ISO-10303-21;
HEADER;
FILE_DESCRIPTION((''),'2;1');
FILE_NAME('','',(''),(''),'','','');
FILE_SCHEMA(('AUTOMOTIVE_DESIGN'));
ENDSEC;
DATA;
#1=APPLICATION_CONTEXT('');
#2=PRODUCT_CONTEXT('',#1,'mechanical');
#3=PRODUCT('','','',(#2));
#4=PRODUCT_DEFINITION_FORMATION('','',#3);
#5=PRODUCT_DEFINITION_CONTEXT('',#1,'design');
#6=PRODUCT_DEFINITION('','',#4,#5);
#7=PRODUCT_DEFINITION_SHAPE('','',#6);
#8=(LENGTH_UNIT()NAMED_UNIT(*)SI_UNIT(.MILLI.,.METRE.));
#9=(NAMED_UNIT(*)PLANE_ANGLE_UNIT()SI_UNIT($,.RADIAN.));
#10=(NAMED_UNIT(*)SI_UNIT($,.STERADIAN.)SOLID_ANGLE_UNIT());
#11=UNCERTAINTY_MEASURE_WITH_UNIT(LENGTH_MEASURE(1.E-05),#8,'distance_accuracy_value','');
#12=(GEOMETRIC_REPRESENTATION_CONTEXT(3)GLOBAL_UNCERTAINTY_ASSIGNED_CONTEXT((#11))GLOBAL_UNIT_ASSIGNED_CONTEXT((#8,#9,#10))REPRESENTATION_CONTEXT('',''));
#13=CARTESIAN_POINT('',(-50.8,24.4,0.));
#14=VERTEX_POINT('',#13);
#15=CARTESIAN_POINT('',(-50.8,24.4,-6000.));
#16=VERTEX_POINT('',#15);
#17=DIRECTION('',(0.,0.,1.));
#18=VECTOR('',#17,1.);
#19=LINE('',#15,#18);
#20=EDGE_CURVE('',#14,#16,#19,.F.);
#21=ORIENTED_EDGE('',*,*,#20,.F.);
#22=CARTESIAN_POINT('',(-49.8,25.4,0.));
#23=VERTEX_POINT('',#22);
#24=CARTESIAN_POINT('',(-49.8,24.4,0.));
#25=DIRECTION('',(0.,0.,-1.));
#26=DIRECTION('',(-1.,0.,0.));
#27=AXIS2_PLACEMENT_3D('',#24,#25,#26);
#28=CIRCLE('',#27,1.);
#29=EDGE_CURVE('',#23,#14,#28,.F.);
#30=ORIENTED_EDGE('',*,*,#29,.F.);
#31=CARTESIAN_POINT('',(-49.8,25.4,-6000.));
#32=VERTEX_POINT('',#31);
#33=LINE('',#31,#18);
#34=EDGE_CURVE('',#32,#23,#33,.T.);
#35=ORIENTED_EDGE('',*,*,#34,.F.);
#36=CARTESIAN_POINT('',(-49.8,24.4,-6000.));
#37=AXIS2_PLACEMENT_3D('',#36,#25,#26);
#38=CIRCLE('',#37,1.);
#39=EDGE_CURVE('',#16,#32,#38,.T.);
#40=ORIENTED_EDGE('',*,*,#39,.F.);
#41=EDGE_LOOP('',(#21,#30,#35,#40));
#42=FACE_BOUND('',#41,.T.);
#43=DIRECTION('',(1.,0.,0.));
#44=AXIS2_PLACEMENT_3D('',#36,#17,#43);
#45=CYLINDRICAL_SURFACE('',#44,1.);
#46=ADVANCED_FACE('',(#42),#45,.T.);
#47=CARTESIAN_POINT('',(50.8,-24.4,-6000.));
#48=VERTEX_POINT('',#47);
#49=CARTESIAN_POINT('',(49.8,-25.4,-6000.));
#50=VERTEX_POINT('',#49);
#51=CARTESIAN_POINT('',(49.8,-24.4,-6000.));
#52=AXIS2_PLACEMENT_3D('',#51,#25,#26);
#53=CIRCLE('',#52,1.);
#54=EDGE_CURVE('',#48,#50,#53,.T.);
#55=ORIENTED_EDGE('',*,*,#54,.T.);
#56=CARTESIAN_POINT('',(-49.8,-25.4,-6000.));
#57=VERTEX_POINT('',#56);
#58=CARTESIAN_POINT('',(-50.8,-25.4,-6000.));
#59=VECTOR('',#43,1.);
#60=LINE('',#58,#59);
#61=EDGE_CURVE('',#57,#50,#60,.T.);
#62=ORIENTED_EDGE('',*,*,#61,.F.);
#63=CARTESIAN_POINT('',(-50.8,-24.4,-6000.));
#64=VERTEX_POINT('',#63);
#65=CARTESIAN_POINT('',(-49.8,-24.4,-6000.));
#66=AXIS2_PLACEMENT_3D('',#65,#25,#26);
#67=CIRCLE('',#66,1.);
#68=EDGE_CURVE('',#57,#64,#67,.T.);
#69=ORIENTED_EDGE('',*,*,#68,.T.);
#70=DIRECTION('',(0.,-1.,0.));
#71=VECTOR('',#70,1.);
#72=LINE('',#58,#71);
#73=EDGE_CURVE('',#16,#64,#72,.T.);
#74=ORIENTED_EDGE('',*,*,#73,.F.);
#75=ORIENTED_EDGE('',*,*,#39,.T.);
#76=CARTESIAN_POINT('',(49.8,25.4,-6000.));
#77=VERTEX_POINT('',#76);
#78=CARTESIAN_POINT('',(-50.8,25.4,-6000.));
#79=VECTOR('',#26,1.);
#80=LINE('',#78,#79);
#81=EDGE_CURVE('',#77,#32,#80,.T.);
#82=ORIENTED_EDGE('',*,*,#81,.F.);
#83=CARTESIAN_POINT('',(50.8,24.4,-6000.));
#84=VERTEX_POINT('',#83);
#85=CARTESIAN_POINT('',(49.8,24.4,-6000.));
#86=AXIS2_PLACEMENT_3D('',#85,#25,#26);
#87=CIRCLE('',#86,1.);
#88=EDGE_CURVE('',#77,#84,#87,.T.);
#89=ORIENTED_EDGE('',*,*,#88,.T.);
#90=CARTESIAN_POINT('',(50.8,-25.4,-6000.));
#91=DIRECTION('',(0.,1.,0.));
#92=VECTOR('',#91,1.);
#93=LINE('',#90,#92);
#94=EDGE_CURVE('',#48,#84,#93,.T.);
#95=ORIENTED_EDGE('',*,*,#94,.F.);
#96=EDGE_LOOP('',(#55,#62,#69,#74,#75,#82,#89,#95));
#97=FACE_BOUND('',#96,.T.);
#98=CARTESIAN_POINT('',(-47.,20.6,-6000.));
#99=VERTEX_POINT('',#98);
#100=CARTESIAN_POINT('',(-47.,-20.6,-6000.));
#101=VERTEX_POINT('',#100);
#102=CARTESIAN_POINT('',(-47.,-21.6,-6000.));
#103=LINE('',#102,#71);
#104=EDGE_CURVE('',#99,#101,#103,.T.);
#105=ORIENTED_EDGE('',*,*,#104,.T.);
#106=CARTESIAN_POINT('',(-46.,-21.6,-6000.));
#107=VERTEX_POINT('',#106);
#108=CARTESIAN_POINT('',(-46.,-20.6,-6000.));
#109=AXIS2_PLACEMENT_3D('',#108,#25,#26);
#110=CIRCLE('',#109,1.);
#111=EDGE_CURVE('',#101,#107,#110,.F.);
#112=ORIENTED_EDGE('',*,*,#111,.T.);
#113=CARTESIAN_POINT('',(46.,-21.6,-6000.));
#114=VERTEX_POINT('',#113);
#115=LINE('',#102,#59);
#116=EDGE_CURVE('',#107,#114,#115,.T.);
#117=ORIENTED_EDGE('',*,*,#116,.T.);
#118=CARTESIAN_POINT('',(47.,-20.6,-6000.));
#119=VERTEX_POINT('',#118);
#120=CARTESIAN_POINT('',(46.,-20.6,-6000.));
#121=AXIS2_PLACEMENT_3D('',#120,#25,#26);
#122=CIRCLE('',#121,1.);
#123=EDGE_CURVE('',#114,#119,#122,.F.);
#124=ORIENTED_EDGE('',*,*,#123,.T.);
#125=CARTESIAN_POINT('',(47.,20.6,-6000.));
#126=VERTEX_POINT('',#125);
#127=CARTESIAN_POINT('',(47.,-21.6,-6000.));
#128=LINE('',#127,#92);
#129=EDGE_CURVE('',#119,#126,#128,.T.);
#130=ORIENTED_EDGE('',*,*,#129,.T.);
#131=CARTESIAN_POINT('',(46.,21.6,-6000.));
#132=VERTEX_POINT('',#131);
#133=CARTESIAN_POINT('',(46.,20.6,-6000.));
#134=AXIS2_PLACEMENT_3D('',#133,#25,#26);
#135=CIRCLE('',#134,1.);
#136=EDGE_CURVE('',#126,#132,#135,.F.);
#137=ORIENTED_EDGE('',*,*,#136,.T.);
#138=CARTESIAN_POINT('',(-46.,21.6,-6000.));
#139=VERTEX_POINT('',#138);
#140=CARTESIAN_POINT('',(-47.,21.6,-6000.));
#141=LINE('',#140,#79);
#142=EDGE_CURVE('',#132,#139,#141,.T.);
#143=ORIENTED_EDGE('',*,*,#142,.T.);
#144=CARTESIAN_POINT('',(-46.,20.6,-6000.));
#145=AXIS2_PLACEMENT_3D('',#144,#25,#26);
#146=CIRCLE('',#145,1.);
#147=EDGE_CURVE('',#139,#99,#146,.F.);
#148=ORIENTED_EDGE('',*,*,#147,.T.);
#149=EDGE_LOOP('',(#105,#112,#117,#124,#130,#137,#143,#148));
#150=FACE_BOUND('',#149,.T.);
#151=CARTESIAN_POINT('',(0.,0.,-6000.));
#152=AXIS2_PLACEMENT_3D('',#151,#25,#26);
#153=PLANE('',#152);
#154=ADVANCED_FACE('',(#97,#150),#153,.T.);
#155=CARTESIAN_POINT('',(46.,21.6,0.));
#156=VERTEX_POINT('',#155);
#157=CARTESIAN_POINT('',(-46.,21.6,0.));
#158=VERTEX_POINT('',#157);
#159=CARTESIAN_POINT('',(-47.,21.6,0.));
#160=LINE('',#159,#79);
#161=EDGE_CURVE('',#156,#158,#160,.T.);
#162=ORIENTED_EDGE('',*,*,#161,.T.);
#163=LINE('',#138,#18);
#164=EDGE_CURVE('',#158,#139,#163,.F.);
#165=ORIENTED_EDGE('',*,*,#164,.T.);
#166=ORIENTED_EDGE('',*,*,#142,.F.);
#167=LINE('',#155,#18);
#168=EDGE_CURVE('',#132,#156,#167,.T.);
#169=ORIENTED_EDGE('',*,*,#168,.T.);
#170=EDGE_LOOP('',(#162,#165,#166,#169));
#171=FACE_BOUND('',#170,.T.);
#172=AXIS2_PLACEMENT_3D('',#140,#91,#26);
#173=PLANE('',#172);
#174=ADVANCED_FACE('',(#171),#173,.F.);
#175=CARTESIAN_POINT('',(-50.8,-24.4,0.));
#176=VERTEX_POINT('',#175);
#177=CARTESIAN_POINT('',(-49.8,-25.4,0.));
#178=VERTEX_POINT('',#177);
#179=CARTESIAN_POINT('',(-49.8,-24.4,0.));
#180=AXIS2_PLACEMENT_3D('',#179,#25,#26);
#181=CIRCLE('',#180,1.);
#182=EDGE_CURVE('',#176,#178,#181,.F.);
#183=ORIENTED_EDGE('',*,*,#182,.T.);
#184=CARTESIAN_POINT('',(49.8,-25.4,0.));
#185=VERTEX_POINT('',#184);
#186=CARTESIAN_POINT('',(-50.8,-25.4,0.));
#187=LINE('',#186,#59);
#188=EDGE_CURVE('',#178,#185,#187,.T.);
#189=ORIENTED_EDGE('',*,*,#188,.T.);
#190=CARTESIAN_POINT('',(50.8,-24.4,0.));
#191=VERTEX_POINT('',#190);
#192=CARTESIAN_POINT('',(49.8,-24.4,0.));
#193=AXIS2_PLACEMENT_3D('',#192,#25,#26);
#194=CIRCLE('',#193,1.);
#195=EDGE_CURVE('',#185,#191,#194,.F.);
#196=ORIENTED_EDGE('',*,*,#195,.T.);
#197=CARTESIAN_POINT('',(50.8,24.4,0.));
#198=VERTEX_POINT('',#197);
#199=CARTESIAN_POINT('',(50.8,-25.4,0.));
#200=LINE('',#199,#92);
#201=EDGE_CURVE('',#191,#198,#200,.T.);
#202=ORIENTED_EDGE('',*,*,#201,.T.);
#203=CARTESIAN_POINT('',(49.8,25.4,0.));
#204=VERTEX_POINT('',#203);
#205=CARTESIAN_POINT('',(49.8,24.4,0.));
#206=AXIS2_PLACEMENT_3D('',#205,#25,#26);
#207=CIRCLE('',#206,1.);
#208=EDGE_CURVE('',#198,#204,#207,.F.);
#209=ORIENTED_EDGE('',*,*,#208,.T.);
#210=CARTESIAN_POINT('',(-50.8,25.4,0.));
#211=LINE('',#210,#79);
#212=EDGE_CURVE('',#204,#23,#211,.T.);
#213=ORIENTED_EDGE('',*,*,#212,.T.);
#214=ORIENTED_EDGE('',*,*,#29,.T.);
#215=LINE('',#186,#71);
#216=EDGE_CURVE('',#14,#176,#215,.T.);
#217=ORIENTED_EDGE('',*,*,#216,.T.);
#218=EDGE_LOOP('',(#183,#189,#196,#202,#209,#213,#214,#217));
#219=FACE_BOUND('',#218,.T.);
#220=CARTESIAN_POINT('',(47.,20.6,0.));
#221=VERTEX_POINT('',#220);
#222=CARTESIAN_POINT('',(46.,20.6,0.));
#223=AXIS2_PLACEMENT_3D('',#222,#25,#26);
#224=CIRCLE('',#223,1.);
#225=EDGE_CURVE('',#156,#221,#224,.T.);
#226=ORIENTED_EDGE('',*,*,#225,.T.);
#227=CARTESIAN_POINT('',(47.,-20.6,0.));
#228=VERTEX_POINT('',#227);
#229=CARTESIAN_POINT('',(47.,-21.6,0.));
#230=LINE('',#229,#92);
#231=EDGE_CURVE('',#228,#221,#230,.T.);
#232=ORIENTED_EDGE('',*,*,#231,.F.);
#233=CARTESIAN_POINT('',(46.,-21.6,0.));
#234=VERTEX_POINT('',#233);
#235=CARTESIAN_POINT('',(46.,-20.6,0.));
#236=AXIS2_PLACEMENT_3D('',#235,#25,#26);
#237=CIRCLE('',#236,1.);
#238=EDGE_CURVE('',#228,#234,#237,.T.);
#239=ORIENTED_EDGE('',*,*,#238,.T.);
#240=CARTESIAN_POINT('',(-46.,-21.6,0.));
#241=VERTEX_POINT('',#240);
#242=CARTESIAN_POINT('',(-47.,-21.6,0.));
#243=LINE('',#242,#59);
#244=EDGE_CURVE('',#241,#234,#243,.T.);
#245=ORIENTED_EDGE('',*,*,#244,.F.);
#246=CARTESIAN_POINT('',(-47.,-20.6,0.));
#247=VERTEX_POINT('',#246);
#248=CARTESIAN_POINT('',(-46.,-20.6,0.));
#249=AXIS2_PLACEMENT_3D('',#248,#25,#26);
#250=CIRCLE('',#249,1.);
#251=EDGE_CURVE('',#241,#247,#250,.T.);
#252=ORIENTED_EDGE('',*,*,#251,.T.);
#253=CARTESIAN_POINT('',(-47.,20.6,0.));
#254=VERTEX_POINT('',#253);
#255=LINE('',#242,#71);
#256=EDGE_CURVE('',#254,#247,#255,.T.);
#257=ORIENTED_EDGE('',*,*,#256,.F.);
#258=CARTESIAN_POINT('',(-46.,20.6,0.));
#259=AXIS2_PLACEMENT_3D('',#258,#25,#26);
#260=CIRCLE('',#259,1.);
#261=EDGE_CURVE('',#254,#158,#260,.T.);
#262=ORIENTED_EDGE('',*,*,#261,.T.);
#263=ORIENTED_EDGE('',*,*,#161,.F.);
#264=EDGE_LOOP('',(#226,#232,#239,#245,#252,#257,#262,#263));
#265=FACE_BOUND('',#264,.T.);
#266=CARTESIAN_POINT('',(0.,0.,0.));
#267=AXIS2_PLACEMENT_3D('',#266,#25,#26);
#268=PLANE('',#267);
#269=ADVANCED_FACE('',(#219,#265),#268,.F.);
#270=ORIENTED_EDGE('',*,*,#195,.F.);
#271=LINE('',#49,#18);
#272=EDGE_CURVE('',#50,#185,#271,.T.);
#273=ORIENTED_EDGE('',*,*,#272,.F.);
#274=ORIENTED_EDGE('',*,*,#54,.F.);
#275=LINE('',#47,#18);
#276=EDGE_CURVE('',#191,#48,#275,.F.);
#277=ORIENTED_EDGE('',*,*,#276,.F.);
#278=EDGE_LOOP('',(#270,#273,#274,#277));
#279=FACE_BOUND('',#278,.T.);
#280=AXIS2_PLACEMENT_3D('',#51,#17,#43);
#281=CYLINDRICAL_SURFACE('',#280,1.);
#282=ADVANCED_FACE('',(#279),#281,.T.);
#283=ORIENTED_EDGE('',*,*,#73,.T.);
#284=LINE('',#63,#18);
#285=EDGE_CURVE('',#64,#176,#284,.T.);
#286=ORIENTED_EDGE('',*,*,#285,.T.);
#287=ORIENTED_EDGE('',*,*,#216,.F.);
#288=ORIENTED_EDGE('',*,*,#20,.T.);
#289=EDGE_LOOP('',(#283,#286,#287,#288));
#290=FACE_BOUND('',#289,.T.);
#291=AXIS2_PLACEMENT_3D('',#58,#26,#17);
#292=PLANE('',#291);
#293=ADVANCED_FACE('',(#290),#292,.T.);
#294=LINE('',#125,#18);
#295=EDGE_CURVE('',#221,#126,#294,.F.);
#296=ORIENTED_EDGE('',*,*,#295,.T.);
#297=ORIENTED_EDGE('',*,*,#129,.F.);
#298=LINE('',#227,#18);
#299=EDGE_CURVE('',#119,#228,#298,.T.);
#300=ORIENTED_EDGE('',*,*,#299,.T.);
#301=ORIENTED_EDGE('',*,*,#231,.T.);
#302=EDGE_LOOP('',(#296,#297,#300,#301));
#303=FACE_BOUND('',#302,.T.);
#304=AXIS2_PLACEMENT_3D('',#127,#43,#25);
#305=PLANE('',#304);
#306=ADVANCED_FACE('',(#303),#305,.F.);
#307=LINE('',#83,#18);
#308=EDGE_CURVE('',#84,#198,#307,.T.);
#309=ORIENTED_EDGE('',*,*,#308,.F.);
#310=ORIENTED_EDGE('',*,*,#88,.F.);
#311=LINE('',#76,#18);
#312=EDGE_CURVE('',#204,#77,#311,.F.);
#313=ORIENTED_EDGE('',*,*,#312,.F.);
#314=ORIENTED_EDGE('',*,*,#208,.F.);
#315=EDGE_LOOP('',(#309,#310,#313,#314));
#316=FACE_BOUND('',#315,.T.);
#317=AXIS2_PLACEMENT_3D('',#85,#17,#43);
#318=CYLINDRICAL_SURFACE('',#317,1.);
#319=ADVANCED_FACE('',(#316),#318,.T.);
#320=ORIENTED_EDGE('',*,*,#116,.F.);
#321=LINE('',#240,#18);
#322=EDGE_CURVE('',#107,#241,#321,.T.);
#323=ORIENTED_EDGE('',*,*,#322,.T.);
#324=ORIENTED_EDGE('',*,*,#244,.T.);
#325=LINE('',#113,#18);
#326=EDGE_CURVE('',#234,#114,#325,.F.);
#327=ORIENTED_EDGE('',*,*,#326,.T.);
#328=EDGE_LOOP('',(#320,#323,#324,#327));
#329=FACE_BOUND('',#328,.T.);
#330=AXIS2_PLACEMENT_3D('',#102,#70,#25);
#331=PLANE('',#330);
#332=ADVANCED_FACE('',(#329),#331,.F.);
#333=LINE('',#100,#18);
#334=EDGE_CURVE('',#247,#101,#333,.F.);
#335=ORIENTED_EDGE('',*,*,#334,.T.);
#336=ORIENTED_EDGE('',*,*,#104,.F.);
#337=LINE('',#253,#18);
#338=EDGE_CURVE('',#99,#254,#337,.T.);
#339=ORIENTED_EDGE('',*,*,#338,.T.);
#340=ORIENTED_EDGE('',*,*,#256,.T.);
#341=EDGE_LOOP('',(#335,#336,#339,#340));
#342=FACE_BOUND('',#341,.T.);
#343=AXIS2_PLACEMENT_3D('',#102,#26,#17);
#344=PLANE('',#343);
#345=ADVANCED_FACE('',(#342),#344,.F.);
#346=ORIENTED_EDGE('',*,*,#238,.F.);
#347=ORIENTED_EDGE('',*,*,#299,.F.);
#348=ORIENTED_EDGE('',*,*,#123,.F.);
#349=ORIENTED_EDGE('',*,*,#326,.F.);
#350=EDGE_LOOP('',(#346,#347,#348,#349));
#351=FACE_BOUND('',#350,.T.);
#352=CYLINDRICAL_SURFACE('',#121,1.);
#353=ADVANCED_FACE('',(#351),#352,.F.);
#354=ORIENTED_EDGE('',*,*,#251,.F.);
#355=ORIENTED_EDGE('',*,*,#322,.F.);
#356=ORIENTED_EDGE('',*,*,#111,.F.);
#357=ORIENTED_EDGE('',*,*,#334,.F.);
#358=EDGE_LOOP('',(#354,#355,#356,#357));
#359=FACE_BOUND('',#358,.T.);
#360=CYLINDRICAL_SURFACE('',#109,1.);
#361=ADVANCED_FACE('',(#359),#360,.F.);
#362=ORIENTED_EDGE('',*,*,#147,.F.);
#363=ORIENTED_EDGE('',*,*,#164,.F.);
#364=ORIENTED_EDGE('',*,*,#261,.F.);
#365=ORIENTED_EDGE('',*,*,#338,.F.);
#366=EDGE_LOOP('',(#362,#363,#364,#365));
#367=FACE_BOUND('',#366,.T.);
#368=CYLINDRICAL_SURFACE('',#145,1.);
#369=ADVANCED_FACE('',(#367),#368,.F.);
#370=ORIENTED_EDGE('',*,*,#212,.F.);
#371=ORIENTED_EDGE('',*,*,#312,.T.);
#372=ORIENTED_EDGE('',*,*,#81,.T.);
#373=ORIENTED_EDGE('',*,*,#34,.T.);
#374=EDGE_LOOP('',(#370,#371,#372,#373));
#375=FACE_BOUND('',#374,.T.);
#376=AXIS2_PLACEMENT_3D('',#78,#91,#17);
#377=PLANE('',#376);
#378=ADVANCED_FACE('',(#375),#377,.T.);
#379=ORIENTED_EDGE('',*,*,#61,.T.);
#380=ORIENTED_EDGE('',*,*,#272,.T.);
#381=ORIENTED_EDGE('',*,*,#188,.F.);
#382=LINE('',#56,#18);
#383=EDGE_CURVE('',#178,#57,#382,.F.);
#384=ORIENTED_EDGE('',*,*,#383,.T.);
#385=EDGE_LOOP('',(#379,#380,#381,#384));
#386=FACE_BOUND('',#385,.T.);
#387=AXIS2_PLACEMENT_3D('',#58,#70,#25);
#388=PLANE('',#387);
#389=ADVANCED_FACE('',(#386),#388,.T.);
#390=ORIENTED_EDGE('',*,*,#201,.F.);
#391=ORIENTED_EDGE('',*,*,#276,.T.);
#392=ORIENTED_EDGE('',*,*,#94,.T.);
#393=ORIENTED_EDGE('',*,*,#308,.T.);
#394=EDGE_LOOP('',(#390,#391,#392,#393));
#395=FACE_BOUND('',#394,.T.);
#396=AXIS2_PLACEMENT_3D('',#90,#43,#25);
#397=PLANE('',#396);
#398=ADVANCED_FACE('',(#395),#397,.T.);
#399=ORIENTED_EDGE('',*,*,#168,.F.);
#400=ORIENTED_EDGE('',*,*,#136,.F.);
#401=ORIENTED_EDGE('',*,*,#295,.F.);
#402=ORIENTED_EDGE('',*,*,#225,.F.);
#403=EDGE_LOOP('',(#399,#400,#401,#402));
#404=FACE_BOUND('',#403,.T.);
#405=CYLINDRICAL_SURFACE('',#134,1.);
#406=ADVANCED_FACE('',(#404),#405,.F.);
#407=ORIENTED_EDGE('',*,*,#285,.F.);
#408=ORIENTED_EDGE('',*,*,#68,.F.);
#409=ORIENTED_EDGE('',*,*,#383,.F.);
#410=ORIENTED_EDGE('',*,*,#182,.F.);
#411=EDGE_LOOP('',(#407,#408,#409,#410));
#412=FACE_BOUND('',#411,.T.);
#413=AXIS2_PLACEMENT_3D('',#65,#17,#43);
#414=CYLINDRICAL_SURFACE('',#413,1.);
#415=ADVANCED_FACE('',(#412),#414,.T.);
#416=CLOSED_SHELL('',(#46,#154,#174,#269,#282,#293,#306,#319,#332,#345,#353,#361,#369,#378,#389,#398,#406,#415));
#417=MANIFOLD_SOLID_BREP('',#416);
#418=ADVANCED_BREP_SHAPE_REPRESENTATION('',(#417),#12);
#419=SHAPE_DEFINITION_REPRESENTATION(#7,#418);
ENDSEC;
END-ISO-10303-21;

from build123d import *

# Parameters (mm, degrees)
CROQUIS1_W              = 101.6
CROQUIS1_H              = 50.8
CROQUIS1_W_2            = 94
CROQUIS1_H_2            = 43.2
SALIENTE_EXTRUIR1_DEPTH = 6000
REDONDEO1_R             = 1


with BuildPart() as part:
    # Croquis1 → Saliente-Extruir1 (new body)
    with BuildSketch(Plane.XY):
        Rectangle(CROQUIS1_W, CROQUIS1_H)
        Rectangle(CROQUIS1_W_2, CROQUIS1_H_2, mode=Mode.SUBTRACT)
    extrude(amount=-SALIENTE_EXTRUIR1_DEPTH)

    # Redondeo1
    redondeo1_edges = [part.edges().sort_by_distance(p)[0] for p in [
        (47, -21.6, -3000),
        (-47, -21.6, -3000),
        (-47, 21.6, -3000),
        (47, 21.6, -3000),
        (50.8, -25.4, -3000),
        (-50.8, -25.4, -3000),
        (-50.8, 25.4, -3000),
        (50.8, 25.4, -3000),
    ]]
    fillet(redondeo1_edges, radius=REDONDEO1_R)


solid = part.part
